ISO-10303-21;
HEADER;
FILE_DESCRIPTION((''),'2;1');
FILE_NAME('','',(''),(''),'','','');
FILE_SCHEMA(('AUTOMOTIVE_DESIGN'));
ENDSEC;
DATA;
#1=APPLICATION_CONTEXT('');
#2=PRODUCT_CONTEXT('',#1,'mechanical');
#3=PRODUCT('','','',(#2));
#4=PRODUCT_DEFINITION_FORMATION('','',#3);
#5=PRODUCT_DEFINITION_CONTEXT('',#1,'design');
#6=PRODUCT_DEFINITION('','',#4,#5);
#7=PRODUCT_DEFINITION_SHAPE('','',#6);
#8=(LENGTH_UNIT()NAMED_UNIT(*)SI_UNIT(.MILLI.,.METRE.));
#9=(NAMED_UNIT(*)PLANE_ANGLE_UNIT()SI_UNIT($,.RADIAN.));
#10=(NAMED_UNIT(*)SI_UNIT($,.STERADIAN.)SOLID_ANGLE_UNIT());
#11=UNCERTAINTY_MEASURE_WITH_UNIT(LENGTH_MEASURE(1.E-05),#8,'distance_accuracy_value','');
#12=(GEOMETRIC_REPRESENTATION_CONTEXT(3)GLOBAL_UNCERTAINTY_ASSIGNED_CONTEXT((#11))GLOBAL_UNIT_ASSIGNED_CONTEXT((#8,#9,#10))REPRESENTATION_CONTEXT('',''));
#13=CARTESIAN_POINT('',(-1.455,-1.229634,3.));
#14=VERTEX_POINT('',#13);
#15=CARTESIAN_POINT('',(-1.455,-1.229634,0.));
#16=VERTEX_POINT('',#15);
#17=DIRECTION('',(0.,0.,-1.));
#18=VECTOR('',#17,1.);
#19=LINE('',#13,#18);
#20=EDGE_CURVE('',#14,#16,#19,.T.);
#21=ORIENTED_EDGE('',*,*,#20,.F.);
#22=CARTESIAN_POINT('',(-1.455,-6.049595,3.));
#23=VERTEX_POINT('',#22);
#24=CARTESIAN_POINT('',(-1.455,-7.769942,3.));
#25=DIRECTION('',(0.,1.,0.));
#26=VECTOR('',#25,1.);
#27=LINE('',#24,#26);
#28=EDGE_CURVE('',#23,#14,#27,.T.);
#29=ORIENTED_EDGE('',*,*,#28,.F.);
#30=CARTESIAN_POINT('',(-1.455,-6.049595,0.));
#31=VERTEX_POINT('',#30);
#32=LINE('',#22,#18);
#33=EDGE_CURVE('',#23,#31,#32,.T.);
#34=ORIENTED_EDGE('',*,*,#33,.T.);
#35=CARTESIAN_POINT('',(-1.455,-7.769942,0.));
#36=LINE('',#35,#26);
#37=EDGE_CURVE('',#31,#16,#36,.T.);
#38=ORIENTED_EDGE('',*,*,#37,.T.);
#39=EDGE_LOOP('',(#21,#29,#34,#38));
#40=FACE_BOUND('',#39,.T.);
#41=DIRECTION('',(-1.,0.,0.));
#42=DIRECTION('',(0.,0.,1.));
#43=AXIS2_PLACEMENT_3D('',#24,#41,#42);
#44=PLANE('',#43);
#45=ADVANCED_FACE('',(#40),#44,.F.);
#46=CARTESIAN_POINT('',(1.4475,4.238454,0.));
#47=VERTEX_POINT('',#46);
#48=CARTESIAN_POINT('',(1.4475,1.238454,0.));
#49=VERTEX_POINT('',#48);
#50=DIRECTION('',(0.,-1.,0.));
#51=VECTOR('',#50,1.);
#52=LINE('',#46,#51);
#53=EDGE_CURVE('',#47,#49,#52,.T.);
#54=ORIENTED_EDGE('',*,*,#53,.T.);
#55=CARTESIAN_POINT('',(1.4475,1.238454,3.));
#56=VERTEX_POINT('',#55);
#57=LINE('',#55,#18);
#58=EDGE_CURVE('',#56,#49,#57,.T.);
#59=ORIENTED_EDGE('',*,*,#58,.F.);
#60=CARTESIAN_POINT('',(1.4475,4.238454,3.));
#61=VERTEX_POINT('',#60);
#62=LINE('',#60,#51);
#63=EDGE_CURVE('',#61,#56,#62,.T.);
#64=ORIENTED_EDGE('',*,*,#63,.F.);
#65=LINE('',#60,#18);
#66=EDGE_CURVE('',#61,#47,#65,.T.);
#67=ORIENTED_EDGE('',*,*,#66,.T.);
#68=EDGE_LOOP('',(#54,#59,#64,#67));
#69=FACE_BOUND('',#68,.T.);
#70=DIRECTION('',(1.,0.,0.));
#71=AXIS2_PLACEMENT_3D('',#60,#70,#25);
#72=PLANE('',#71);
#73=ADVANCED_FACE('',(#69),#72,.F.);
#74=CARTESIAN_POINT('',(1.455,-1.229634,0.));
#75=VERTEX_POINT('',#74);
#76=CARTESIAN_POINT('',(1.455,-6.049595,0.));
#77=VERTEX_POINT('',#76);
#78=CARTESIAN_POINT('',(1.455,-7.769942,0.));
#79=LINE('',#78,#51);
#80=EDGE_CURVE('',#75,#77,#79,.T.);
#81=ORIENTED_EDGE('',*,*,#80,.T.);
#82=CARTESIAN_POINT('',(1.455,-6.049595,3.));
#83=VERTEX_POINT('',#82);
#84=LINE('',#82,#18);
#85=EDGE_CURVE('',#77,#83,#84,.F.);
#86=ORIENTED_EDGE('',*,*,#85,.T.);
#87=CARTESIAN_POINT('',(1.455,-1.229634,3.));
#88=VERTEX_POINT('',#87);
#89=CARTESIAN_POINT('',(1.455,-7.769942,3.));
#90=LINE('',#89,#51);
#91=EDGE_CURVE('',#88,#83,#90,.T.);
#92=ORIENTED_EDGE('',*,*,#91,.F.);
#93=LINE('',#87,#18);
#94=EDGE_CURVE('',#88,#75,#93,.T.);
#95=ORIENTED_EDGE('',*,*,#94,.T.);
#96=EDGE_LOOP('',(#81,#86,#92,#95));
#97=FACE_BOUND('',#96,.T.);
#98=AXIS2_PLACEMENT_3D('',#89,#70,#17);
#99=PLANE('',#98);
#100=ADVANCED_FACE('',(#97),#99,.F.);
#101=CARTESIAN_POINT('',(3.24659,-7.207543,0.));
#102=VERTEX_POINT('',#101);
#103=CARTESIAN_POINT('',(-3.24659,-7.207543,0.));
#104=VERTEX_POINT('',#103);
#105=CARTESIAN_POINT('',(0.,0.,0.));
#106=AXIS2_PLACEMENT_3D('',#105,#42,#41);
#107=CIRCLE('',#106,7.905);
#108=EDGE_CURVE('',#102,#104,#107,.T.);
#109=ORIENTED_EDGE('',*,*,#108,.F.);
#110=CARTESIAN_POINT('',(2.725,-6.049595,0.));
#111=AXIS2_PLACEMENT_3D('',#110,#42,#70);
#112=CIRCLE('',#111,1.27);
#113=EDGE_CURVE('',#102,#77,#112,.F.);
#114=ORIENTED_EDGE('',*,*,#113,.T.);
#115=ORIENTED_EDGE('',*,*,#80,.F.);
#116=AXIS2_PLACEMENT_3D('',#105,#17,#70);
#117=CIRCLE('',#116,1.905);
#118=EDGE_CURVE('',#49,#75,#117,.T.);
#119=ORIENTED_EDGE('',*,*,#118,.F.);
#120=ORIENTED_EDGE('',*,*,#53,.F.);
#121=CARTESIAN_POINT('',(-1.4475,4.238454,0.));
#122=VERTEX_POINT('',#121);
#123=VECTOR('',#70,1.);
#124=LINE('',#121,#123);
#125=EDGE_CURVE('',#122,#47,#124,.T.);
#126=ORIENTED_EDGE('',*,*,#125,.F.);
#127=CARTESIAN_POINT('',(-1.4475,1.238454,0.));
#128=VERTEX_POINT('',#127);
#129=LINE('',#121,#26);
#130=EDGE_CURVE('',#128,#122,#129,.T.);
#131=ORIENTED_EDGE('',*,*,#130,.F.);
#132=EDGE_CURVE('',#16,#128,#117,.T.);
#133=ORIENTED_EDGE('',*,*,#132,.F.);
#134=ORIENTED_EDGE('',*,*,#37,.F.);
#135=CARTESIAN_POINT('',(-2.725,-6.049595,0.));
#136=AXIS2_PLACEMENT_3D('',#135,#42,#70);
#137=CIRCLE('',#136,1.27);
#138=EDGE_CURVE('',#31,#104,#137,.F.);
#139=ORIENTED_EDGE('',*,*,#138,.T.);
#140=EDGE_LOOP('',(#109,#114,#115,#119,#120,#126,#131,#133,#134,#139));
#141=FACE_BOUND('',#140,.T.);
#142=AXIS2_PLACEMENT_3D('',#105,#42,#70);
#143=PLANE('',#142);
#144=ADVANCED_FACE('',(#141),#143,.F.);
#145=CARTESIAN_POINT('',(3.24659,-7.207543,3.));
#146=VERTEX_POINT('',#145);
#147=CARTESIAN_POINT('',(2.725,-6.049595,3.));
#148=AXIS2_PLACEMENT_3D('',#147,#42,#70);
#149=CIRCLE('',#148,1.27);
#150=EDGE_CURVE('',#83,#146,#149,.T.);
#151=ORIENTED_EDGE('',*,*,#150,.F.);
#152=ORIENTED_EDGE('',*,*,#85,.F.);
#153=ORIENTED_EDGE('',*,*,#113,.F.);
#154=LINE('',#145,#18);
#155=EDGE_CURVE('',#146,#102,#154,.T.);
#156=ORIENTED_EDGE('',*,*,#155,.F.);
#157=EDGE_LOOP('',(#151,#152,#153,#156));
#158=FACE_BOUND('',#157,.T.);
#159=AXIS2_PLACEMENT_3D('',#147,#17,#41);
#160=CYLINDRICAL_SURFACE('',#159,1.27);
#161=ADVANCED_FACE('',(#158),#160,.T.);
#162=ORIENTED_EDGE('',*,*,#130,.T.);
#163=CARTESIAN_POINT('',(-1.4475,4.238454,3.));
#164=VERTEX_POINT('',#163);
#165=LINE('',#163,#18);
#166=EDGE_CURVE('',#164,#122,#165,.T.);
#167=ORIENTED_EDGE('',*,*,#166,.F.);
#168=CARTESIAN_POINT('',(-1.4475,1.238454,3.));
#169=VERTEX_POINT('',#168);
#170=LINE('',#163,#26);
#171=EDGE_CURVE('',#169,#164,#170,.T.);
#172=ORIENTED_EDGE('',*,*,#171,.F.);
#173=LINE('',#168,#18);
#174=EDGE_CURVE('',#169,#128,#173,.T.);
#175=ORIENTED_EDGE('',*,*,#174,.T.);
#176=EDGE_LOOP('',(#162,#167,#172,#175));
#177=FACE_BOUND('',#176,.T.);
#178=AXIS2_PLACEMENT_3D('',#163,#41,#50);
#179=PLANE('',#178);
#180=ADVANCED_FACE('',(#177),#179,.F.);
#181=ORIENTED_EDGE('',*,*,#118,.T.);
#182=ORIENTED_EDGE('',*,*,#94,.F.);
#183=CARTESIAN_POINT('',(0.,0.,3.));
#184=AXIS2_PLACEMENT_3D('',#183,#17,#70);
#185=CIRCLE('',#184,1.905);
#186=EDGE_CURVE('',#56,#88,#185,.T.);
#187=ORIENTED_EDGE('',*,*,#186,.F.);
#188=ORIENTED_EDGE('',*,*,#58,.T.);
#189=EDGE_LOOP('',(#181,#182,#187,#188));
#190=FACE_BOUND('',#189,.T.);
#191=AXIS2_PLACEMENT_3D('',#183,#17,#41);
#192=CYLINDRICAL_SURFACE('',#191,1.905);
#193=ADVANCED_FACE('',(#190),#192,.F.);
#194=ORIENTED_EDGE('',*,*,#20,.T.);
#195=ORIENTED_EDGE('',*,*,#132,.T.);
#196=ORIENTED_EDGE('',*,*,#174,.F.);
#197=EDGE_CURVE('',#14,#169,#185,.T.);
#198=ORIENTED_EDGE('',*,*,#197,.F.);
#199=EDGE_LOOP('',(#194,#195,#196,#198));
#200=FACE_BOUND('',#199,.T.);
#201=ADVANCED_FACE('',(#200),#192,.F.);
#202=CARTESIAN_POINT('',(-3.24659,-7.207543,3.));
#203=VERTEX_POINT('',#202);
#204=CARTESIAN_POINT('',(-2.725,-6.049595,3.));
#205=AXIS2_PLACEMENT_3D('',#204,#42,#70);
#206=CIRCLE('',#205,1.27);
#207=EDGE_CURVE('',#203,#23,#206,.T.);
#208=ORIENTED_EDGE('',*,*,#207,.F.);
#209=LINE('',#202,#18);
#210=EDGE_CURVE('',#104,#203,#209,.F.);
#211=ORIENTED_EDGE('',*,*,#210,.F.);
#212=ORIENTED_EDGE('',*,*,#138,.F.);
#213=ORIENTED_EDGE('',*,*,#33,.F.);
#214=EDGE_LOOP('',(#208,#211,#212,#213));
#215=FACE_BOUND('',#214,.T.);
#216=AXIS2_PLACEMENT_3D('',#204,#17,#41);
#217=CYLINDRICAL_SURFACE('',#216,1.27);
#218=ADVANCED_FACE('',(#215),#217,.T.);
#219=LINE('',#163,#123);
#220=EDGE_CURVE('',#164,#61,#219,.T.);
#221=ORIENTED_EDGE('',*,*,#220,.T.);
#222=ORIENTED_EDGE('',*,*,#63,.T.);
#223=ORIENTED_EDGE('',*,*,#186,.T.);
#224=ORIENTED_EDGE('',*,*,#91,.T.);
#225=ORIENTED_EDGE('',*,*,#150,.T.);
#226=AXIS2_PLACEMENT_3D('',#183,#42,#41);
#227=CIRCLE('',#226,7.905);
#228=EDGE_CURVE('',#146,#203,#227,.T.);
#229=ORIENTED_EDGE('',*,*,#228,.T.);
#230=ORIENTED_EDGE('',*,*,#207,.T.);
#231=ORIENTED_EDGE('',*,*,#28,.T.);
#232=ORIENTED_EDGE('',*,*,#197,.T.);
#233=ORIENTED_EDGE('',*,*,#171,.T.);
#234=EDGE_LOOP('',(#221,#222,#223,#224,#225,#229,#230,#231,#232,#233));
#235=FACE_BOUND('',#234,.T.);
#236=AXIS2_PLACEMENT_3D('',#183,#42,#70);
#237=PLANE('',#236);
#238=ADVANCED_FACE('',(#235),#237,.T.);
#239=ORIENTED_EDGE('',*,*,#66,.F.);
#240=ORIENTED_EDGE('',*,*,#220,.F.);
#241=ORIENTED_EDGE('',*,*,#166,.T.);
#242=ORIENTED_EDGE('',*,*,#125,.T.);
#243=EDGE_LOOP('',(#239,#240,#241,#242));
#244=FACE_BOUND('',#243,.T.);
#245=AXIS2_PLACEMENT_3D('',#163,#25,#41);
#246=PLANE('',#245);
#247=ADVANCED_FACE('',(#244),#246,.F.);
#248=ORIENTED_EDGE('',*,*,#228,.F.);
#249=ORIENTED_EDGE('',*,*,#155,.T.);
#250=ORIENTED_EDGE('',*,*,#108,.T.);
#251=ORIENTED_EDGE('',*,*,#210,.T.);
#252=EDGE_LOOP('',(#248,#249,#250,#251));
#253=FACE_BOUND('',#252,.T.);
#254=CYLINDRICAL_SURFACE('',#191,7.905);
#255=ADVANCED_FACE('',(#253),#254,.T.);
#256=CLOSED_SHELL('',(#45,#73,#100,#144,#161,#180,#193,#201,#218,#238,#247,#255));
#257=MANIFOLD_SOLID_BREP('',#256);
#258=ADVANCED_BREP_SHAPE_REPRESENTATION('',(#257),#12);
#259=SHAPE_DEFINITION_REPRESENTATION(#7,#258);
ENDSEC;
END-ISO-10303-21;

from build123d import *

# Parameters (mm, degrees)
EXTRUDE_1_DEPTH = 3
FILLET_1_R      = 1.27


with BuildPart() as part:
    # 스케치1 → 보스-돌출1 (new body)
    with BuildSketch(Plane.XY):
        with BuildLine():
            Line((-1.4475, 4.238454178), (1.4475, 4.238454178))
            Line((1.4475, 4.238454178), (1.4475, 1.238454178))
            ThreePointArc((1.4475, 1.238454178), (1.904991204, 0.005788867), (1.455, -1.229634092))
            Line((1.455, -1.229634092), (1.455, -7.769942085))
            ThreePointArc((1.455, -7.769942085), (0, 7.905), (-1.455, -7.769942085))
            Line((-1.455, -7.769942085), (-1.455, -1.229634092))
            ThreePointArc((-1.455, -1.229634092), (-1.904991204, 0.005788867), (-1.4475, 1.238454178))
            Line((-1.4475, 1.238454178), (-1.4475, 4.238454178))
        make_face()
    extrude(amount=EXTRUDE_1_DEPTH)

    # 필렛1
    fillet_1_edges = [part.edges().sort_by_distance(p)[0] for p in [
        (-1.455, -7.769942085, 1.5),
        (1.455, -7.769942085, 1.5),
    ]]
    fillet(fillet_1_edges, radius=FILLET_1_R)


solid = part.part
